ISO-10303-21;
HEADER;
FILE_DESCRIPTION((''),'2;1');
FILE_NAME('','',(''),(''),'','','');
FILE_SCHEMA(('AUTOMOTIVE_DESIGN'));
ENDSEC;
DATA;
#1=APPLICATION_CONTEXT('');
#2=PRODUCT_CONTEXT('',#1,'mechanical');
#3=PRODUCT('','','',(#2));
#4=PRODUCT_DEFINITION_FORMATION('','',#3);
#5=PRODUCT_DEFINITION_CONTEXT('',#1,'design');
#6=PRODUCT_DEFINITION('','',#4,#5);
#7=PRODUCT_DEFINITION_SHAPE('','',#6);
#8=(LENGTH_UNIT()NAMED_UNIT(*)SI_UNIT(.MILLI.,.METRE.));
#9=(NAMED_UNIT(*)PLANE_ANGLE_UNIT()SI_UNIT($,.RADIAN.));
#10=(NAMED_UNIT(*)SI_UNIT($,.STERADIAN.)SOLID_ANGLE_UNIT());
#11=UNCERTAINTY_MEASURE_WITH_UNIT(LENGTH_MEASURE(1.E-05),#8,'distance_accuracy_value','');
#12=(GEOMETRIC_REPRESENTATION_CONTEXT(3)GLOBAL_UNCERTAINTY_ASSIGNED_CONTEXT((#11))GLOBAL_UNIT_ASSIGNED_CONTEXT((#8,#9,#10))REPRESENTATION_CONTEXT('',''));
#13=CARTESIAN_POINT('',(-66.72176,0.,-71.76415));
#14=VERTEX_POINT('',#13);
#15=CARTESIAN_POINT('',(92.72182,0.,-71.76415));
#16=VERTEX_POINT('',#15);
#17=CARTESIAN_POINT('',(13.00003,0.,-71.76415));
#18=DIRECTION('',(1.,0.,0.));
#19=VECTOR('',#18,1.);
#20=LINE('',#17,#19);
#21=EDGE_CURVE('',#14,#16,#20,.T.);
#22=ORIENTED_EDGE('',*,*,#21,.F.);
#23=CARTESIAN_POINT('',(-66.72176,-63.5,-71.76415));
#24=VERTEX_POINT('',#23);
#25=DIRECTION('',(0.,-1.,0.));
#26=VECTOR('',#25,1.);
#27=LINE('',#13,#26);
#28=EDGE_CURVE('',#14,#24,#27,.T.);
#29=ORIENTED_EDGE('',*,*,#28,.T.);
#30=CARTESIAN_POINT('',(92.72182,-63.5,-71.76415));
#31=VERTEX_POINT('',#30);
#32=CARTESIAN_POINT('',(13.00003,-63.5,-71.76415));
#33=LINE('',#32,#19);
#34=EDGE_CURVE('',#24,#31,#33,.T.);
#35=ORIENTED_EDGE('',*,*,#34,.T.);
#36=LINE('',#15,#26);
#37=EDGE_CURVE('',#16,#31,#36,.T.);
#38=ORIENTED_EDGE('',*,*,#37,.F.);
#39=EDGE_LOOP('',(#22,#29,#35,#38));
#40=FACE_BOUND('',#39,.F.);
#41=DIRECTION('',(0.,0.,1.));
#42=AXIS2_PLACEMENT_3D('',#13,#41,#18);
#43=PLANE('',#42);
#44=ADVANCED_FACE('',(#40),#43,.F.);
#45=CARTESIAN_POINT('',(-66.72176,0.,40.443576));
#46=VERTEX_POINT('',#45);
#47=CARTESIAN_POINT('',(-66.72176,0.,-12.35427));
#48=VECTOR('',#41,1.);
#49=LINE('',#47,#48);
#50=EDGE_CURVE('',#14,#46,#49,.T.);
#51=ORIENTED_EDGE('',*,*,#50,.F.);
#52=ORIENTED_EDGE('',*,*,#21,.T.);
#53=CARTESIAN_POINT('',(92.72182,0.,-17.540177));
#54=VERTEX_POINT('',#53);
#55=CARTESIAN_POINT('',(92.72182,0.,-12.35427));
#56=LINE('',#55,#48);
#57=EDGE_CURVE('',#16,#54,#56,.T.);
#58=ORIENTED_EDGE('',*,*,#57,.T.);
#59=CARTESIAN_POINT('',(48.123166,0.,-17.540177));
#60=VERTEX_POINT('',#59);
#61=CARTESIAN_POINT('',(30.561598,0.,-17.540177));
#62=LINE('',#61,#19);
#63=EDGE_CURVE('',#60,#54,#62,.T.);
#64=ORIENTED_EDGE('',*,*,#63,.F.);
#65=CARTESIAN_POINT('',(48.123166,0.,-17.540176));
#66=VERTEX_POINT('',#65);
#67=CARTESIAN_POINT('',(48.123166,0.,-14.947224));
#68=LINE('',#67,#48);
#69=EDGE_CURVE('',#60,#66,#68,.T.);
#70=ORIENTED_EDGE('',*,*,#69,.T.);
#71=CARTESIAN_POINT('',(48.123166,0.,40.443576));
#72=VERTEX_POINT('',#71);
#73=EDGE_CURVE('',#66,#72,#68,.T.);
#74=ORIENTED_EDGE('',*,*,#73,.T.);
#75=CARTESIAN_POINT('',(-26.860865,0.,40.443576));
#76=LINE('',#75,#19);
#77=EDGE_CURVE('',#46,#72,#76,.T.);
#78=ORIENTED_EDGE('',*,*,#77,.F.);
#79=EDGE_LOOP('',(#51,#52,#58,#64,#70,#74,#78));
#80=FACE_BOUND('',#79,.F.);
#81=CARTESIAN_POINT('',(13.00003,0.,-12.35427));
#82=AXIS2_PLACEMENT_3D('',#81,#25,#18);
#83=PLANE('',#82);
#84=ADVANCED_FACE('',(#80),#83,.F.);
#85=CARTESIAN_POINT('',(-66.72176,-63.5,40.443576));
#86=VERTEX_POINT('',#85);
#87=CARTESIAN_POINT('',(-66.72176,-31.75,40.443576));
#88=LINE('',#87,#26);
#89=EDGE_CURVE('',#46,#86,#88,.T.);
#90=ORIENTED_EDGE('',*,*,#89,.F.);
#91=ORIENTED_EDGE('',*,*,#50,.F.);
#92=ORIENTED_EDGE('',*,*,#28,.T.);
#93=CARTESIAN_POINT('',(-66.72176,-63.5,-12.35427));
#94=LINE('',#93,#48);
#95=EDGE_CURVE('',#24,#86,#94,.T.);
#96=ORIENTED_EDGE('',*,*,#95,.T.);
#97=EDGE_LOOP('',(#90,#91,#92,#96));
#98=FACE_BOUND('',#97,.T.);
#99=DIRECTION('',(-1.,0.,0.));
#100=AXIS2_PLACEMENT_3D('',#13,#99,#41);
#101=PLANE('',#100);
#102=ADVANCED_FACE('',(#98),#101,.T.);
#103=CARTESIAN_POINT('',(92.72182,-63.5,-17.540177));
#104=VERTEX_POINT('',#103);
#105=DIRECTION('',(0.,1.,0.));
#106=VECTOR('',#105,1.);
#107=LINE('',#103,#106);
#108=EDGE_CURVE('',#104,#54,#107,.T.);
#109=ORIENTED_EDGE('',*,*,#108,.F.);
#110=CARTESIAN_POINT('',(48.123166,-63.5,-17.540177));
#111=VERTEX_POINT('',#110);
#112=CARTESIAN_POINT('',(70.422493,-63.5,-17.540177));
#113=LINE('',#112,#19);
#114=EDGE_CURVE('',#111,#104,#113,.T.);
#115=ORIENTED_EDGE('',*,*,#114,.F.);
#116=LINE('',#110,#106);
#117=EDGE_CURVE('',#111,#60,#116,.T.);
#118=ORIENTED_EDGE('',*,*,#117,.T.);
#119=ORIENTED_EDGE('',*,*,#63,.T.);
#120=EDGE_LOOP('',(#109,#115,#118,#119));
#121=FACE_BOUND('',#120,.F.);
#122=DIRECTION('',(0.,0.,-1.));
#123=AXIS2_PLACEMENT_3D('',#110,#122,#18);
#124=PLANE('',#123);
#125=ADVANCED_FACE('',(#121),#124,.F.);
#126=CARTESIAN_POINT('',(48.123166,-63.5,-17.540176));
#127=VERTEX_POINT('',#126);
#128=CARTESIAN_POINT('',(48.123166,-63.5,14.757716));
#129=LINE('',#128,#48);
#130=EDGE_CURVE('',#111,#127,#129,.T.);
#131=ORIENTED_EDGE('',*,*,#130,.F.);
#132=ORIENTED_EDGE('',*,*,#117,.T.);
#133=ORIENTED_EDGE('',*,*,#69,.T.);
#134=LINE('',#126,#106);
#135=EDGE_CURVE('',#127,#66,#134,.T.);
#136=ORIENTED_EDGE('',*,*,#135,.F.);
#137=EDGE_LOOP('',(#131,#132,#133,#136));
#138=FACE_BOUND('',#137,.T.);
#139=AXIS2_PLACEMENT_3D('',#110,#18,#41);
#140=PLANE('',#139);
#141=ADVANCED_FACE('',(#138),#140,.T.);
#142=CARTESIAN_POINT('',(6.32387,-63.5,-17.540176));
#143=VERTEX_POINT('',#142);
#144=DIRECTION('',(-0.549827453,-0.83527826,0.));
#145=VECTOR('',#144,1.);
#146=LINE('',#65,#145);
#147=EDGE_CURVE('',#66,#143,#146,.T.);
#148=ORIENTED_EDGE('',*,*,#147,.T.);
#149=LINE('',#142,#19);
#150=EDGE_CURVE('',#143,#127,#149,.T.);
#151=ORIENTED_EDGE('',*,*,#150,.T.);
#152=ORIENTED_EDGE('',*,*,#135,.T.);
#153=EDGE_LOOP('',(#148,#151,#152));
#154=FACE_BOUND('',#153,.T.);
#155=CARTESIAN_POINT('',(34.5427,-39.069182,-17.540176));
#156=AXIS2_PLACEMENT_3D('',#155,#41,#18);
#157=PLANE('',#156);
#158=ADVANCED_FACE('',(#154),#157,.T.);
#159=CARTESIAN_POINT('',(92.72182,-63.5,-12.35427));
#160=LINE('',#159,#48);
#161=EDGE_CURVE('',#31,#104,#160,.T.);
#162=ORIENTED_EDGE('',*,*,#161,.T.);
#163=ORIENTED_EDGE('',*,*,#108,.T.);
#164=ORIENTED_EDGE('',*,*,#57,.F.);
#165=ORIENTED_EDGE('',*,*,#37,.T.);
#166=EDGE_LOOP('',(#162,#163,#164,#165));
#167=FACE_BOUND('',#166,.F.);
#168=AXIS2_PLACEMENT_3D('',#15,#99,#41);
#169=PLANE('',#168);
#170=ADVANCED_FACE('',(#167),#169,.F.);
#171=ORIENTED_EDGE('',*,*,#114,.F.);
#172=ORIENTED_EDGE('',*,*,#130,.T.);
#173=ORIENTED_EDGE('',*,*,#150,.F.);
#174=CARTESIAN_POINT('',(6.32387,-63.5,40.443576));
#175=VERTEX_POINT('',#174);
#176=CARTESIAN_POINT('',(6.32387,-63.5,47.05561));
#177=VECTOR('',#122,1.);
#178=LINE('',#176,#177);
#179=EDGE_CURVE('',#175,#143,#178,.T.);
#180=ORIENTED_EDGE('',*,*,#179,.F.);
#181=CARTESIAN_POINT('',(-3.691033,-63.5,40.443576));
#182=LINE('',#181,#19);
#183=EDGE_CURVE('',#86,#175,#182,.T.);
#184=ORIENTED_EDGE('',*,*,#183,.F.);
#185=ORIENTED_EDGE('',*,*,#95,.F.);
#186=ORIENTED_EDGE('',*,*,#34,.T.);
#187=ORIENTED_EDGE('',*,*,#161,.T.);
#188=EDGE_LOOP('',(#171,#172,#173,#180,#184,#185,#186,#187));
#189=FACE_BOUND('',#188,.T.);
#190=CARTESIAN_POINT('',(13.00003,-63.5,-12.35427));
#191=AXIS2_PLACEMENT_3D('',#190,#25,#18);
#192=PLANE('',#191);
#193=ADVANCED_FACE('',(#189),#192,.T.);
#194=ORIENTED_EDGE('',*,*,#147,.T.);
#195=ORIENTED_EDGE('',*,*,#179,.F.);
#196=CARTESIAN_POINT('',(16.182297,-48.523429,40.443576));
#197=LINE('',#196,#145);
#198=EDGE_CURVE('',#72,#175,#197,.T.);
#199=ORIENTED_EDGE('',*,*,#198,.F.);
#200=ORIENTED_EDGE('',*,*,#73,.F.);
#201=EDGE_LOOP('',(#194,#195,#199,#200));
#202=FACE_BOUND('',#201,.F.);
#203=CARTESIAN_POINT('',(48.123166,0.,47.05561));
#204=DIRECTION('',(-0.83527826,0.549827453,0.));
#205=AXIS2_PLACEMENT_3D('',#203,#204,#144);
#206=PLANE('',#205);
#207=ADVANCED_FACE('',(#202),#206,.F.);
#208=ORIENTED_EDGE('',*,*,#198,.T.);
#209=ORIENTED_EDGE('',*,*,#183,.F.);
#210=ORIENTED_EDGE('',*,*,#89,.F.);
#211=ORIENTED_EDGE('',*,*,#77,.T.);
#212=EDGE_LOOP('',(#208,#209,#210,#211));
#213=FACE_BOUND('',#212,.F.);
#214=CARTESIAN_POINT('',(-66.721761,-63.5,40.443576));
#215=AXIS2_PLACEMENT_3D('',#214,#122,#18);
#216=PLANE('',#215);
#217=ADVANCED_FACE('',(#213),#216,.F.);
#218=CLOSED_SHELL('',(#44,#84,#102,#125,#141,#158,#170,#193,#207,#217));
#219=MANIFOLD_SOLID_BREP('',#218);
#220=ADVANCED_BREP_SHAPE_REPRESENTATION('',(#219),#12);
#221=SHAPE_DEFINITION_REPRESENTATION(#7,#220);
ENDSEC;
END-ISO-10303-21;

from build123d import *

# Parameters (mm, degrees)
F0_W     = 159.44358
F0_H     = 118.819759
F1_DEPTH = 63.5
F2_W     = 44.598654
F2_H     = 64.595787
F3_DEPTH = 66.802
F5_DEPTH = 64.595786
F6_W     = 126.061455
F6_H     = 6.612033
F7_DEPTH = 70.866


with BuildPart() as f1:
    # F0 (on Front) → F1 (new body)
    with BuildSketch(Plane.XZ):
        with Locations((13.00003, -12.35427)):
            Rectangle(F0_W, F0_H)
    extrude(amount=F1_DEPTH)

    # F2 (on face) → F3 (cut)
    with BuildSketch(Plane.XZ.offset(63.5)):
        with Locations((70.422493, 14.757716)):
            Rectangle(F2_W, F2_H)
    extrude(amount=-F3_DEPTH, mode=Mode.SUBTRACT)

    # F4 (on face) → F5 (cut, through all)
    with BuildSketch(Plane.XY.offset(47.05561)):
        Polygon((48.123166, -63.5), (48.123166, 0), (6.32387, -63.5), align=None)
    extrude(amount=-F5_DEPTH, mode=Mode.SUBTRACT)

    # F6 (on face) → F7 (cut)
    with BuildSketch(Plane.XZ.offset(63.5)):
        with Locations((-3.691033, 43.749593)):
            Rectangle(F6_W, F6_H)
    extrude(amount=-F7_DEPTH, mode=Mode.SUBTRACT)


solid = f1.part
